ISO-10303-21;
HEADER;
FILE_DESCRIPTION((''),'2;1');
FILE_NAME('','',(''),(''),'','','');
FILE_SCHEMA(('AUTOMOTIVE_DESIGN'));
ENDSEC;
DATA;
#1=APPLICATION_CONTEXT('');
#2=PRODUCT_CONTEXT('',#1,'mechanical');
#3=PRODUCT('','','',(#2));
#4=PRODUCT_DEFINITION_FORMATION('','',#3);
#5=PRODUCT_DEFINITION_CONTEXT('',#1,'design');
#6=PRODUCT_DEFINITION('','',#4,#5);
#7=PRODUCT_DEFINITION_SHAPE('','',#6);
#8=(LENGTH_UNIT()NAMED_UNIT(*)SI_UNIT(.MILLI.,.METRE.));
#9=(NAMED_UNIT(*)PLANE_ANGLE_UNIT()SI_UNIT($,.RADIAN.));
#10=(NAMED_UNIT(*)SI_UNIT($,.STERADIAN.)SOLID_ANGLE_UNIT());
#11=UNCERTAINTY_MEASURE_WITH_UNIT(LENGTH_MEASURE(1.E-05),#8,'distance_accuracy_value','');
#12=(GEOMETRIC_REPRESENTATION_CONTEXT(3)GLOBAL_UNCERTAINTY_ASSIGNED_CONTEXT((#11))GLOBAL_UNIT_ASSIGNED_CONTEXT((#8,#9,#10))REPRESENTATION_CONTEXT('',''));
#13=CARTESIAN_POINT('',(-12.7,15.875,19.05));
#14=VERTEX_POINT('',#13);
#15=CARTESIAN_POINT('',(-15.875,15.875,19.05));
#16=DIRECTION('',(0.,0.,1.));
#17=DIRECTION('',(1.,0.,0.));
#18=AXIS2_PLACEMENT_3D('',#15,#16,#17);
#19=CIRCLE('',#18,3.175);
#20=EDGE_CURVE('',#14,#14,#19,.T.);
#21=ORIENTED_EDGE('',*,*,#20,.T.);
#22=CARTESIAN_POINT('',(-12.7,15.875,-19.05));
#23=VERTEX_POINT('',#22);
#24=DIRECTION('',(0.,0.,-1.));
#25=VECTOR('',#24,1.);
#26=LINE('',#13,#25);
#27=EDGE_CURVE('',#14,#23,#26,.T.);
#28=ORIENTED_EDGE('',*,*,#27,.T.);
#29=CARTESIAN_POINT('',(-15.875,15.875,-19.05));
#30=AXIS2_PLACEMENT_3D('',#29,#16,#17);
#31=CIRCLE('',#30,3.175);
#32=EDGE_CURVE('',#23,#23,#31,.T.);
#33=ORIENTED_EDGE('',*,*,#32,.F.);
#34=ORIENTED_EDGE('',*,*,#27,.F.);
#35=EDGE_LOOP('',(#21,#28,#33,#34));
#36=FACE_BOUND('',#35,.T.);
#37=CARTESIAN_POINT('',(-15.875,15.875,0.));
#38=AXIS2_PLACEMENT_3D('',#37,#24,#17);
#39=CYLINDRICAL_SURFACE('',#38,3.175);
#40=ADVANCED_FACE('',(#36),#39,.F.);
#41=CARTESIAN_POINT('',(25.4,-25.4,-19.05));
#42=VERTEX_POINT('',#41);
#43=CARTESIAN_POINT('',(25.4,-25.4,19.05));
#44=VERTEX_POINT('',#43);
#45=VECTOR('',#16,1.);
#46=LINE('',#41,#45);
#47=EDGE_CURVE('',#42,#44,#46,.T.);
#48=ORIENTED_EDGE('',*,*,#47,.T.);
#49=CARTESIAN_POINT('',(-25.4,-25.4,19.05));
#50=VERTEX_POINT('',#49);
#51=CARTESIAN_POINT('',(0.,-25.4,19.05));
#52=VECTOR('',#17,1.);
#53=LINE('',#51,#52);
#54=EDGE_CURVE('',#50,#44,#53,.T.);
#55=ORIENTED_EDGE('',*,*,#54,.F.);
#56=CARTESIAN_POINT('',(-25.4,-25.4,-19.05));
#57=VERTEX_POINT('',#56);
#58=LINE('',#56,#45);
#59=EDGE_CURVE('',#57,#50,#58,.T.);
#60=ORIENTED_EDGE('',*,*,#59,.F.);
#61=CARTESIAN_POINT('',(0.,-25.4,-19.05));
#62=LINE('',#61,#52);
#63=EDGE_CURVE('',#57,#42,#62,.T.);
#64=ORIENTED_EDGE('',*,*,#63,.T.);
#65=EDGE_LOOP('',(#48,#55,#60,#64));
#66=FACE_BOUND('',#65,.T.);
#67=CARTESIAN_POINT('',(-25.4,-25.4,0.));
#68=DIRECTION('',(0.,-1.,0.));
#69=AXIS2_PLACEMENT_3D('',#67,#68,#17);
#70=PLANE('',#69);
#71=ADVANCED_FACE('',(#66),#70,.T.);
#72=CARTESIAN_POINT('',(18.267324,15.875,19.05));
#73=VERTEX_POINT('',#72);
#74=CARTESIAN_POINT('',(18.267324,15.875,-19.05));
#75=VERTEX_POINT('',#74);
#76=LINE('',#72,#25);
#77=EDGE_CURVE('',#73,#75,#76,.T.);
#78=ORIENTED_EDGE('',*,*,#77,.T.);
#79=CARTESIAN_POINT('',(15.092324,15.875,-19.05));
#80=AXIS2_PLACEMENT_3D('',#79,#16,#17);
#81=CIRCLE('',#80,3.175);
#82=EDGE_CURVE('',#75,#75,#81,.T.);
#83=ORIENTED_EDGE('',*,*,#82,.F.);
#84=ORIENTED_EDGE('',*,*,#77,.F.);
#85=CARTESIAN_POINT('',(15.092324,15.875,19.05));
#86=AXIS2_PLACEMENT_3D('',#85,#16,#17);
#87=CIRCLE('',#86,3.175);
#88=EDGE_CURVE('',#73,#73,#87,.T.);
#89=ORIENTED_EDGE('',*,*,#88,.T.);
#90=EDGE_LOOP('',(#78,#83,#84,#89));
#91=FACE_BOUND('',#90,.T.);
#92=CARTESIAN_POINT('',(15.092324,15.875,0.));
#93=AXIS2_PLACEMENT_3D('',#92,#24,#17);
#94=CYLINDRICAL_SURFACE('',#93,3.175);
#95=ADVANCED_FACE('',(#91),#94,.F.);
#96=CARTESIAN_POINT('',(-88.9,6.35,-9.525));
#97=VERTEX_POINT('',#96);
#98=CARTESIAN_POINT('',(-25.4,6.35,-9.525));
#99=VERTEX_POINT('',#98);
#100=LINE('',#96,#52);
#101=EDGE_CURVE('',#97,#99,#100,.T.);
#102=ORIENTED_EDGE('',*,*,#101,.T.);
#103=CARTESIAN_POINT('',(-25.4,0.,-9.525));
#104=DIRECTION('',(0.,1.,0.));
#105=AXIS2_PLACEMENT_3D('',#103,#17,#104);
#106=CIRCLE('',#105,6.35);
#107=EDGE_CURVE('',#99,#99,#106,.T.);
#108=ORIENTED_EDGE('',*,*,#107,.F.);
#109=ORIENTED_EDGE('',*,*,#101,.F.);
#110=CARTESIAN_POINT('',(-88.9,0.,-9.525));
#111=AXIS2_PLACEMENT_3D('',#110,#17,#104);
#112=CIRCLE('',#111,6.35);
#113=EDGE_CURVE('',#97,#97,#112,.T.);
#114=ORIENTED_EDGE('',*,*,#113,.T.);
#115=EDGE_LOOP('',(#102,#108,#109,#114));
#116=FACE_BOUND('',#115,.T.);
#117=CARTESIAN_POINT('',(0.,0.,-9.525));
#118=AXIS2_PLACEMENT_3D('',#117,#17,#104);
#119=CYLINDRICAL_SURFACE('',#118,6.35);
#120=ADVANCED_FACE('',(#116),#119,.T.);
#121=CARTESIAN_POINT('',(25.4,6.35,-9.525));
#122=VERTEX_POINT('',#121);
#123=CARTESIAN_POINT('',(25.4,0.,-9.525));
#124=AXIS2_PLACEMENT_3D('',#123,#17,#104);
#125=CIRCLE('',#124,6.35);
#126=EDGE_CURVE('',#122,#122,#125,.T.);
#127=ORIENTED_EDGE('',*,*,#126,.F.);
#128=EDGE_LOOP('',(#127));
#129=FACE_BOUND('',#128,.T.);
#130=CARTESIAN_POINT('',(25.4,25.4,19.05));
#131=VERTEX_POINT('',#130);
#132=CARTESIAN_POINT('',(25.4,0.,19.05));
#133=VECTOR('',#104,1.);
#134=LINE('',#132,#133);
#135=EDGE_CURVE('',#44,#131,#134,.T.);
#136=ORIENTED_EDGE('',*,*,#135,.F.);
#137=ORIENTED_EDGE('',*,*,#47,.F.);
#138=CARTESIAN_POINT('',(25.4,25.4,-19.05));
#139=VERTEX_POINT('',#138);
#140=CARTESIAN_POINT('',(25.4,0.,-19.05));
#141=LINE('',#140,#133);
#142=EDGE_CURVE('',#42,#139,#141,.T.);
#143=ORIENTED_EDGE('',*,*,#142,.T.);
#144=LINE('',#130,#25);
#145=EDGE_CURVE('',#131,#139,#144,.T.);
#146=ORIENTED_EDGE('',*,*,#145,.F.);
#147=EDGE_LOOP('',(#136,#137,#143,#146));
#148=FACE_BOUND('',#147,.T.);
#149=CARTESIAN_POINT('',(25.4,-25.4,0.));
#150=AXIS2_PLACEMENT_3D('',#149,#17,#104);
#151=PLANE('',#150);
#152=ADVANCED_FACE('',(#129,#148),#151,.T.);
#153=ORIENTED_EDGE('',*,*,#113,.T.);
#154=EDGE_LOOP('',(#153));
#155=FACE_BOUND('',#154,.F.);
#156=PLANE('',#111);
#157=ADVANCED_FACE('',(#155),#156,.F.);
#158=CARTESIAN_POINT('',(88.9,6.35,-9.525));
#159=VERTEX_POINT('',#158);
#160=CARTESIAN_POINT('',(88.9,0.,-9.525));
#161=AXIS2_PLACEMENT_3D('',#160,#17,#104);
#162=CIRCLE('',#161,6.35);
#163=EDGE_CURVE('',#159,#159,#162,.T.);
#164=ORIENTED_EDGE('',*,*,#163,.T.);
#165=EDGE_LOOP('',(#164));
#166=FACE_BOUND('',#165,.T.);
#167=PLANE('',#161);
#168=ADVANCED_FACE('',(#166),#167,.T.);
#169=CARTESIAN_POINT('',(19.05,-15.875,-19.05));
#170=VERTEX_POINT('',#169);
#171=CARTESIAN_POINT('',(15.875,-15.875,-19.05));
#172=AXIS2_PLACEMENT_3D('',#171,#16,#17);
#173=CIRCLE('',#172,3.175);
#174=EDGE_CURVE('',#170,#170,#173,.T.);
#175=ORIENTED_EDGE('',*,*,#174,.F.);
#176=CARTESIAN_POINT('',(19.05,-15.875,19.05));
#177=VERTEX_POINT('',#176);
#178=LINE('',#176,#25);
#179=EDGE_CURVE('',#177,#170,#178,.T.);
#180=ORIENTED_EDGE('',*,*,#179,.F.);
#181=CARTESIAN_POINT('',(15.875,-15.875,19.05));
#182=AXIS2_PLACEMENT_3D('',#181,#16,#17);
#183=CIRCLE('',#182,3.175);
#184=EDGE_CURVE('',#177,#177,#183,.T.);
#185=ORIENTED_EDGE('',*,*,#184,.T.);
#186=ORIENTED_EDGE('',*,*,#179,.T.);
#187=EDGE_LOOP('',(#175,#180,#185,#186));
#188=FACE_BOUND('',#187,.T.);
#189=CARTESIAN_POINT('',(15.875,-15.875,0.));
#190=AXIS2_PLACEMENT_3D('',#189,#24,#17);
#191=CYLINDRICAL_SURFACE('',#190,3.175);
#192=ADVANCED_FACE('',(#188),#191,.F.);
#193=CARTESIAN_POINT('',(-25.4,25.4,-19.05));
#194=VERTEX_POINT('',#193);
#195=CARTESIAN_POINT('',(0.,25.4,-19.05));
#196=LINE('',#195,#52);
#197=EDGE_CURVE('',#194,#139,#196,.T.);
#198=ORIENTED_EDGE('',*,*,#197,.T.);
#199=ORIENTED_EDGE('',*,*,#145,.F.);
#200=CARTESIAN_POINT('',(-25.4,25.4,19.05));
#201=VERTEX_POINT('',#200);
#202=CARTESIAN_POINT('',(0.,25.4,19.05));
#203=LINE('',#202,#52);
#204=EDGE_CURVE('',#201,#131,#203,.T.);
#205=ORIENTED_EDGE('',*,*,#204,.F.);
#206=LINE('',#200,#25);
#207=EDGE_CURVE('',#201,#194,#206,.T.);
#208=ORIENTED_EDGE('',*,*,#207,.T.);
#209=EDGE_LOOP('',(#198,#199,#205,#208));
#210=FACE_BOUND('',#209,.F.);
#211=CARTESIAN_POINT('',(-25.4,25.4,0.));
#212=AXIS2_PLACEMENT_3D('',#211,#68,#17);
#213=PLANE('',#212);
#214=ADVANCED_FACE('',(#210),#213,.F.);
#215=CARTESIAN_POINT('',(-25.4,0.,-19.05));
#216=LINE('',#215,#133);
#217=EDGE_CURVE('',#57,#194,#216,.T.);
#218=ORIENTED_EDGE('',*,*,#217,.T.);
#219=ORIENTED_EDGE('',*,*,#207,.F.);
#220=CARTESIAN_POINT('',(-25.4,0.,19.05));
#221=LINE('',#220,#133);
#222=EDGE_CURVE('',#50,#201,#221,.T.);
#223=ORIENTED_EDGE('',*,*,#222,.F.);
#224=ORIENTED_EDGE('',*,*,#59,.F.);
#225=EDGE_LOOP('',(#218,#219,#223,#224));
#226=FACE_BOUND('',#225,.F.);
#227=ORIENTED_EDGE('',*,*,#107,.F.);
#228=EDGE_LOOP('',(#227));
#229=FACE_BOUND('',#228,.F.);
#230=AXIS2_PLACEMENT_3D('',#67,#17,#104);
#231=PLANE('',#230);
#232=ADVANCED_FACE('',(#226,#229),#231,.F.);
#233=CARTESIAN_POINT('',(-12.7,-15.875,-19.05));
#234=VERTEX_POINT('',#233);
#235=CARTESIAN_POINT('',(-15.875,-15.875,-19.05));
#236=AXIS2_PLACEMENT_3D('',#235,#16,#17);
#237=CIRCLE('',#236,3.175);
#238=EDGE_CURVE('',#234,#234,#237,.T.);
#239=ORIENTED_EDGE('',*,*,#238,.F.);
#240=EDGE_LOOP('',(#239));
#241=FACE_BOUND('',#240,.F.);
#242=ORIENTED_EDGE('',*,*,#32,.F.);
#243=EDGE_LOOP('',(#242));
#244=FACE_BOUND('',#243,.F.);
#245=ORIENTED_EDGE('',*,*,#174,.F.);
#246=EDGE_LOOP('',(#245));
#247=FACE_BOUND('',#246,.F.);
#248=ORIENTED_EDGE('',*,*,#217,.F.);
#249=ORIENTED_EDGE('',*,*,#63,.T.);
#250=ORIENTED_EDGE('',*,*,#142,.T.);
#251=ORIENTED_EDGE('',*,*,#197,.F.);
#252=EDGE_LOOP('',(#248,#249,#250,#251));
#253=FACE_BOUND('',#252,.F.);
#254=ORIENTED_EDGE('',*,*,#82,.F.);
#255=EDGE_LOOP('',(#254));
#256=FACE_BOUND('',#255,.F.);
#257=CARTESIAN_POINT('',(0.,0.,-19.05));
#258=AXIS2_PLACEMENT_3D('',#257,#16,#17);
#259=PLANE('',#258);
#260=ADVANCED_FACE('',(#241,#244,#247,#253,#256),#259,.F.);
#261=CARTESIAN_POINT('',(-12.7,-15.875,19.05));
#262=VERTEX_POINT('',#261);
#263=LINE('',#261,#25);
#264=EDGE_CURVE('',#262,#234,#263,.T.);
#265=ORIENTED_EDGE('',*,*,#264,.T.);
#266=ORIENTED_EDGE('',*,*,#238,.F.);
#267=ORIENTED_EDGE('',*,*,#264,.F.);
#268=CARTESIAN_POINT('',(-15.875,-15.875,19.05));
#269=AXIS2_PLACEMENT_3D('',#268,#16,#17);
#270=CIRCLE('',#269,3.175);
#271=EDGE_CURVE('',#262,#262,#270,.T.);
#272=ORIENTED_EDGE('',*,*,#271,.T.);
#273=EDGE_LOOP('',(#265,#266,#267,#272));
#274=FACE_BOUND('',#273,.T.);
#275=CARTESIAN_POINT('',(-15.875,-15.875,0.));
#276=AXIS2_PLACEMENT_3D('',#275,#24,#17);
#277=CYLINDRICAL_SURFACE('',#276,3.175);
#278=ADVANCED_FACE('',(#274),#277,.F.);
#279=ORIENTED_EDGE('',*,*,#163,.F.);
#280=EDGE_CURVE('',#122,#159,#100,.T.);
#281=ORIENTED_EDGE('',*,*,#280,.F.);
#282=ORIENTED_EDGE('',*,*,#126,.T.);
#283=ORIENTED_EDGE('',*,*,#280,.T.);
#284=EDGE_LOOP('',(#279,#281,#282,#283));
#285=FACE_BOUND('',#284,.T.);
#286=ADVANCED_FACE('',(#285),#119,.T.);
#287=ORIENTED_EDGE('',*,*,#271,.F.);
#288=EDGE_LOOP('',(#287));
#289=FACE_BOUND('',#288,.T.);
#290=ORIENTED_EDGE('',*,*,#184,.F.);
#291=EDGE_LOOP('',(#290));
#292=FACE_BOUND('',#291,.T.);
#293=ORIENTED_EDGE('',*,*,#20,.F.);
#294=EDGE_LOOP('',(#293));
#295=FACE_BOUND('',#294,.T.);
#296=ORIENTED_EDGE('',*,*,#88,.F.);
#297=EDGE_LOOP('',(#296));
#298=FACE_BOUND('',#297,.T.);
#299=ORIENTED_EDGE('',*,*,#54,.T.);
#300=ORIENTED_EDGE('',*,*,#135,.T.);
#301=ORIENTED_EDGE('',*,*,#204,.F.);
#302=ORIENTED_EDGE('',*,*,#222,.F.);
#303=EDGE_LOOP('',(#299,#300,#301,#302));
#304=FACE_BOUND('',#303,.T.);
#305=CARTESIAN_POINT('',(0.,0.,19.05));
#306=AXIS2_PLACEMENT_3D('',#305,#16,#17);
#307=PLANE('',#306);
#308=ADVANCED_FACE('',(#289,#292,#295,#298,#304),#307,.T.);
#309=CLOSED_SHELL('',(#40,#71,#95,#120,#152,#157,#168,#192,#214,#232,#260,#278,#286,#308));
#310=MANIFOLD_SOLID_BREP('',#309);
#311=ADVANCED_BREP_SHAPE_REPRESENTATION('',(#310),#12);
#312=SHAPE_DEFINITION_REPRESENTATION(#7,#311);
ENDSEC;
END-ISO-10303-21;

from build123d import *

# Parameters (mm, degrees)
F0_W     = 50.8
F0_H     = 50.8
F0_R     = 3.175
F1_DEPTH = 19.05
F2_R     = 6.35
F3_DEPTH = 88.9


with BuildPart() as f1:
    # F0 (on Top) → F1 (new body, symmetric)
    with BuildSketch(Plane.XY):
        Rectangle(F0_W, F0_H)
        with Locations((-15.875, -15.875)):
            Circle(F0_R, mode=Mode.SUBTRACT)
        with Locations((15.875, -15.875)):
            Circle(F0_R, mode=Mode.SUBTRACT)
        with Locations((-15.875, 15.875)):
            Circle(F0_R, mode=Mode.SUBTRACT)
        with Locations((15.092324, 15.875)):
            Circle(F0_R, mode=Mode.SUBTRACT)
    extrude(amount=F1_DEPTH, both=True)

    # F2 (on Right) → F3 (join, symmetric)
    with BuildSketch(Plane.YZ):
        with Locations((0, -9.525)):
            Circle(F2_R)
    extrude(amount=F3_DEPTH, both=True)


solid = f1.part
